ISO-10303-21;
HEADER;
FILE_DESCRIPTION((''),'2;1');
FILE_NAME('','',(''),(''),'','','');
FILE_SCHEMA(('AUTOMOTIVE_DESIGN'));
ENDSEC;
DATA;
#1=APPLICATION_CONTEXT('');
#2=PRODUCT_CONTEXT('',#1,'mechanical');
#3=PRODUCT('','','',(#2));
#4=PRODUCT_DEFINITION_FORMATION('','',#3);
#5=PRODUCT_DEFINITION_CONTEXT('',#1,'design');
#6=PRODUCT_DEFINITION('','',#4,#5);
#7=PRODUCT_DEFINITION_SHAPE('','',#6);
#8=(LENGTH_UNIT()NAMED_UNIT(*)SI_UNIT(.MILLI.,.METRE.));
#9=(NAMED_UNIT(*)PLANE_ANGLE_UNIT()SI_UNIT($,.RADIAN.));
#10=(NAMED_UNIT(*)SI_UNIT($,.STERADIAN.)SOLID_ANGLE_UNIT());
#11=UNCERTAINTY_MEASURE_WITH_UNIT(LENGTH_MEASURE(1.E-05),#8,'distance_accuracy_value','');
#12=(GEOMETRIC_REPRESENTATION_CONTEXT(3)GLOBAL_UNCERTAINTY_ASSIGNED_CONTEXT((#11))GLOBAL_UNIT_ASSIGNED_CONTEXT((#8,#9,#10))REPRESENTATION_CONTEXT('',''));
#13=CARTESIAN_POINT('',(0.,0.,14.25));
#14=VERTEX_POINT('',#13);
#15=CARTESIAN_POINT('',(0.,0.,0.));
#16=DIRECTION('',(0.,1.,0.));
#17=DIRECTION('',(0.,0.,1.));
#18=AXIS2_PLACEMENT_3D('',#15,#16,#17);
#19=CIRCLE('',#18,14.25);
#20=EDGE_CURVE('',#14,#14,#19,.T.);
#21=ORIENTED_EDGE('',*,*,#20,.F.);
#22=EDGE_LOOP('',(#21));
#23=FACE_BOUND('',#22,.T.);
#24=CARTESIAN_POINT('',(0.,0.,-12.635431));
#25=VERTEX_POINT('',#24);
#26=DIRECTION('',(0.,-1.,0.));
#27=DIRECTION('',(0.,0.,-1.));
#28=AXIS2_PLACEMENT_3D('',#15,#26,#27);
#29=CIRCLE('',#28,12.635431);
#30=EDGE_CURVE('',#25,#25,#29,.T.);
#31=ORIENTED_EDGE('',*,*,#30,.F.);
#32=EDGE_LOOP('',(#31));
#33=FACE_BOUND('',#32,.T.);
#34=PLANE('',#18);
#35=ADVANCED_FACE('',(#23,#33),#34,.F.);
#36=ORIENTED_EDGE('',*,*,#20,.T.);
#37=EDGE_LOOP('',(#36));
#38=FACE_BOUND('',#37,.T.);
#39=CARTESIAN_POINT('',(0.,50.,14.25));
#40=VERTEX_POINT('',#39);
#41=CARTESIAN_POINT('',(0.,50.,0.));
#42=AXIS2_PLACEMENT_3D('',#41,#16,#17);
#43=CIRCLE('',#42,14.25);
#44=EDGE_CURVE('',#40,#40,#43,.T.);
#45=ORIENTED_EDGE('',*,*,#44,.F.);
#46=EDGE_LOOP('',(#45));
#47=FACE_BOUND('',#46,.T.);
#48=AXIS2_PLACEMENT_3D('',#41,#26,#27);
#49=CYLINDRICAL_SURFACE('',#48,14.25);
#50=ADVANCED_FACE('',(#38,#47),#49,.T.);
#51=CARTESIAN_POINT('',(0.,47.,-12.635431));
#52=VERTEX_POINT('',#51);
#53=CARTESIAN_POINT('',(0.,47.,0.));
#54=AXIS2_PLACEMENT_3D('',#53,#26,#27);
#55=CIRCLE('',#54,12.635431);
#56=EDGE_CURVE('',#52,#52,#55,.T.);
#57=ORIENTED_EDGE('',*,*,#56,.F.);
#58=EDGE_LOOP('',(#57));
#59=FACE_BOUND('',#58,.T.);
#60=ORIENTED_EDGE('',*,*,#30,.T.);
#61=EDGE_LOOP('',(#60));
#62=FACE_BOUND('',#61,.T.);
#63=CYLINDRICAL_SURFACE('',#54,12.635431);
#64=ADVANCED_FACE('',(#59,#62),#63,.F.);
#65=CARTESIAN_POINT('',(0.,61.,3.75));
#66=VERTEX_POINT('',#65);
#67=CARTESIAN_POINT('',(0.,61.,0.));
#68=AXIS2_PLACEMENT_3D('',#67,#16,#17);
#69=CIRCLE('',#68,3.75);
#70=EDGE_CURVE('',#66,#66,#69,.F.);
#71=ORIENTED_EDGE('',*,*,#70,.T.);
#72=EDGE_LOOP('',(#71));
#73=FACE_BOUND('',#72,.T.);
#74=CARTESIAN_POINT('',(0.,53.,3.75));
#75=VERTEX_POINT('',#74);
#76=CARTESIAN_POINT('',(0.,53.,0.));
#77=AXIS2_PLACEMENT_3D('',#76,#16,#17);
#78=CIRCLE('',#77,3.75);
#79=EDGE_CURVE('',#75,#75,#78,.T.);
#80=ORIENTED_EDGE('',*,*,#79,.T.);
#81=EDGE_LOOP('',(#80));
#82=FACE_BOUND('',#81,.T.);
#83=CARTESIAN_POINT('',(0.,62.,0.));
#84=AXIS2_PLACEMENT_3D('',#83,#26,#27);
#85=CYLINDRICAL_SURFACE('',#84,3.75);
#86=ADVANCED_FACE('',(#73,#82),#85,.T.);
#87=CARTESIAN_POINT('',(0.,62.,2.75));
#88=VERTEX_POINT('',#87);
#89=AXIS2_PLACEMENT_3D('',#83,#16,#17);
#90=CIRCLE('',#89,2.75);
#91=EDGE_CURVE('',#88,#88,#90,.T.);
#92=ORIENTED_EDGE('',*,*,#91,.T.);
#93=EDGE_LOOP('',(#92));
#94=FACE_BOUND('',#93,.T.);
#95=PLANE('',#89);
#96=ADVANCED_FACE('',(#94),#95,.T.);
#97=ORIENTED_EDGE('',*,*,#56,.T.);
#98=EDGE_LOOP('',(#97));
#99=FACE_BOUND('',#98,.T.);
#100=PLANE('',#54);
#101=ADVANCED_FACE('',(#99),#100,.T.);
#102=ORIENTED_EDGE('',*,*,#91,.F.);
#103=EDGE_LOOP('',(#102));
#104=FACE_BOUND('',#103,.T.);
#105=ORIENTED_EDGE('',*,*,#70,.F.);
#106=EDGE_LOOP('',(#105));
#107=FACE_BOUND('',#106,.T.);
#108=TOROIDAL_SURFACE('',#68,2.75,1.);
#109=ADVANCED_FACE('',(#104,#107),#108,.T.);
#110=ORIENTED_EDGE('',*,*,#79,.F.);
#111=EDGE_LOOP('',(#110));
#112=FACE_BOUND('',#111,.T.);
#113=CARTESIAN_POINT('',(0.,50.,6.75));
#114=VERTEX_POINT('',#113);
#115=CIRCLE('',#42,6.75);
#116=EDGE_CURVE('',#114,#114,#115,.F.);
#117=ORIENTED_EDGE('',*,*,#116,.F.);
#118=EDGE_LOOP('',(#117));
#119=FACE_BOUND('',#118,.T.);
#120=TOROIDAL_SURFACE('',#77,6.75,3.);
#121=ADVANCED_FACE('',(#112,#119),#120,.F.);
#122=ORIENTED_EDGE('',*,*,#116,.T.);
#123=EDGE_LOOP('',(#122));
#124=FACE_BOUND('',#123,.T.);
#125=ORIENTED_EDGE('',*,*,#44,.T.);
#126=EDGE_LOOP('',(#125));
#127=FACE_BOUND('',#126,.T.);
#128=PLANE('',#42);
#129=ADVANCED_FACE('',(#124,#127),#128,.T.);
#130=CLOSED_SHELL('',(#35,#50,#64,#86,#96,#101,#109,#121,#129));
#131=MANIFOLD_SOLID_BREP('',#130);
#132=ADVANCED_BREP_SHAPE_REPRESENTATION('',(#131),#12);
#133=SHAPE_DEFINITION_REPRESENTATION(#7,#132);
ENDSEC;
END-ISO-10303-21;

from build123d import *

# Parameters (mm, degrees)
IZIM3_R                     = 14.25
Y_KSEKLIK_EKSTR_ZYON2_DEPTH = 50
IZIM4_R                     = 3.75
Y_KSEKLIK_EKSTR_ZYON3_DEPTH = 12
RADYUS1_R                   = 3
RADYUS2_R                   = 1
IZIM5_R                     = 12.635430767
KES_EKSTR_ZYON1_DEPTH       = 47


with BuildPart() as part:
    # Çizim3 → Yükseklik-Ekstrüzyon2 (new body)
    with BuildSketch(Plane(origin=(0, 0, 0), x_dir=(1, 0, 0), z_dir=(0, 1, 0))):
        with Locations(Location((0, 0, 0), (0, 0, 270))):
            Circle(IZIM3_R)
    extrude(amount=Y_KSEKLIK_EKSTR_ZYON2_DEPTH)

    # Çizim4 → Yükseklik-Ekstrüzyon3 (add)
    with BuildSketch(Plane(origin=(0, 50, 0), x_dir=(1, 0, 0), z_dir=(0, 1, 0))):
        with Locations(Location((0, 0, 0), (0, 0, 270))):
            Circle(IZIM4_R)
    extrude(amount=Y_KSEKLIK_EKSTR_ZYON3_DEPTH)

    # Radyus1
    radyus1_edges = [part.edges().sort_by_distance(p)[0] for p in [
        (0, 50, -3.75),
    ]]
    fillet(radyus1_edges, radius=RADYUS1_R)

    # Radyus2
    radyus2_edges = [part.edges().sort_by_distance(p)[0] for p in [
        (0, 62, -3.75),
    ]]
    fillet(radyus2_edges, radius=RADYUS2_R)

    # Çizim5 → Kes-Ekstrüzyon1 (cut)
    with BuildSketch(Plane.XZ):
        with Locations(Location((0, 0, 0), (0, 0, 270))):
            Circle(IZIM5_R)
    extrude(amount=-KES_EKSTR_ZYON1_DEPTH, mode=Mode.SUBTRACT)


solid = part.part
